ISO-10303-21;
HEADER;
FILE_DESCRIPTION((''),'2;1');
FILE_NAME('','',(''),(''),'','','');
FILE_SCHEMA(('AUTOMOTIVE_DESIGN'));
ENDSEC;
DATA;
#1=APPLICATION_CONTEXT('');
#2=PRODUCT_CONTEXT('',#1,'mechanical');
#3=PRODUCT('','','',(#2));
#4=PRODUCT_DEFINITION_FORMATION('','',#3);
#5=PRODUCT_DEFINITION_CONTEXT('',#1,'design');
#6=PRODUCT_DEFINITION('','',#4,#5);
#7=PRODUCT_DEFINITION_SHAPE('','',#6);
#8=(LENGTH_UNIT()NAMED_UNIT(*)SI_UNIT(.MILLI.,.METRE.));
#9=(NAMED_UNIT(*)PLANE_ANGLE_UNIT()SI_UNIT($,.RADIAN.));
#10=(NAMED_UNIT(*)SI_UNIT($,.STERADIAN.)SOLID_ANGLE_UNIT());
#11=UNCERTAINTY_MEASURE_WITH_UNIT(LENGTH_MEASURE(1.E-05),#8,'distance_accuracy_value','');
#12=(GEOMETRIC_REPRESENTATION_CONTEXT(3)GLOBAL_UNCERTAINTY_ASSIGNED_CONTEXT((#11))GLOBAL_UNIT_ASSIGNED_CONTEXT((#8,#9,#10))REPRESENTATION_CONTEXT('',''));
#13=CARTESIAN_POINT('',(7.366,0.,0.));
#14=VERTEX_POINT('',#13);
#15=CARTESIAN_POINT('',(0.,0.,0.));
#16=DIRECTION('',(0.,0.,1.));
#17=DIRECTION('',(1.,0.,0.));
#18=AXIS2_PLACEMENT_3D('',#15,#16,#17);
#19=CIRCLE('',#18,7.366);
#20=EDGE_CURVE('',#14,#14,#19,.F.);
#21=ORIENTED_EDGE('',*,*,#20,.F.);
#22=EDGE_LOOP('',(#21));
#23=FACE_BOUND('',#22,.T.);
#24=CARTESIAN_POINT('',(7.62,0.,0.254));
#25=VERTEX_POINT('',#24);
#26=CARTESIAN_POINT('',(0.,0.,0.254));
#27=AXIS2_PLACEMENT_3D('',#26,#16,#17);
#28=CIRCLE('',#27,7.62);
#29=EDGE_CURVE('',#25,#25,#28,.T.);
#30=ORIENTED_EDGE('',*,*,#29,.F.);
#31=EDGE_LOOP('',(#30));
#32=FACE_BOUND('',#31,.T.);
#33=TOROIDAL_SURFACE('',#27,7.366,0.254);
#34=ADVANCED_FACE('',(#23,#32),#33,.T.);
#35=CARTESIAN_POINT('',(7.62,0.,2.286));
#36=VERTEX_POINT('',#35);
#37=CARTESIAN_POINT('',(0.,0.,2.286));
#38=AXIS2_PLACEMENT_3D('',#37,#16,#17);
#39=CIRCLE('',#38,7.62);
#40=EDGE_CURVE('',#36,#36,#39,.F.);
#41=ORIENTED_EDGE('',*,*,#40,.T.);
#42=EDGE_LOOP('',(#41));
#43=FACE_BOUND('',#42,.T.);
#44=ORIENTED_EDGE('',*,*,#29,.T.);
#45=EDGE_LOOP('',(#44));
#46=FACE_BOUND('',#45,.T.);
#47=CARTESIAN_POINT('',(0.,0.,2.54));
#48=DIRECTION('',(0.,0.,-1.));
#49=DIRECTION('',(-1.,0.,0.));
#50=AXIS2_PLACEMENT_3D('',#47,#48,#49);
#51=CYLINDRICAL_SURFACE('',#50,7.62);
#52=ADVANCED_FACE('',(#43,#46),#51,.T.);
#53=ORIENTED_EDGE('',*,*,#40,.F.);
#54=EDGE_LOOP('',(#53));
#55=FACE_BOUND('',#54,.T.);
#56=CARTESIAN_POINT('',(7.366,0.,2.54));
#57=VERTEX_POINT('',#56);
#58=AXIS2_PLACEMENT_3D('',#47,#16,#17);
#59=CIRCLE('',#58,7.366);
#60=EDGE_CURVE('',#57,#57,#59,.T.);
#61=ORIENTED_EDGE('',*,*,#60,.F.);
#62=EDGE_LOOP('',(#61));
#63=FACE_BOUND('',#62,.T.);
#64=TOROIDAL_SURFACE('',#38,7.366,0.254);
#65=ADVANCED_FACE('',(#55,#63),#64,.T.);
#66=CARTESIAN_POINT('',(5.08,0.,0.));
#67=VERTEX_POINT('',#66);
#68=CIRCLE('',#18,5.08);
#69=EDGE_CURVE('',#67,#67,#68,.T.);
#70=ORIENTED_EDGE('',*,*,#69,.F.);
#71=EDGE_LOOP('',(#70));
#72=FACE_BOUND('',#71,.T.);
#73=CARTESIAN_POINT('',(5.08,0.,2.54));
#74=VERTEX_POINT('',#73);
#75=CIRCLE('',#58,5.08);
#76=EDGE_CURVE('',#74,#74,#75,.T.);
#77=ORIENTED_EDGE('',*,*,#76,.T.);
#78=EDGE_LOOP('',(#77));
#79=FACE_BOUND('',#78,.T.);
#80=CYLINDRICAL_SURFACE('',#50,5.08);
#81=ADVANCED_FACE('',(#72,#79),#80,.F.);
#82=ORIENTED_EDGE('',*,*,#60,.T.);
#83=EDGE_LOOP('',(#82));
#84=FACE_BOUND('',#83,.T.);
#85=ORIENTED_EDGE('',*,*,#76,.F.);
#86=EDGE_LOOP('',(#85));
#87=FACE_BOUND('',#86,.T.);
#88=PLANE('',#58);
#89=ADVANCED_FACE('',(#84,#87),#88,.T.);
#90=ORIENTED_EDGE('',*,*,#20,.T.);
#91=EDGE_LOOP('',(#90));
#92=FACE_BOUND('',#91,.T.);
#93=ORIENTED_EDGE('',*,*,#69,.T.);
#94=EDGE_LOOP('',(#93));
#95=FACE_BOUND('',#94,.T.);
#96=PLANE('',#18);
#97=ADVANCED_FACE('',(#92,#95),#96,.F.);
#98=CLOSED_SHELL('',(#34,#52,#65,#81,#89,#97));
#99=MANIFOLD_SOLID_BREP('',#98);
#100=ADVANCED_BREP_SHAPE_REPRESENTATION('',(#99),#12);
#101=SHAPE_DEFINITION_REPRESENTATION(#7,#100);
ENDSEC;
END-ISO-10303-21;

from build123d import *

# Parameters (mm, degrees)
SKETCH1_R           = 7.62
SKETCH1_R_2         = 5.08
BOSS_EXTRUDE1_DEPTH = 2.54
FILLET1_R           = 0.254


with BuildPart() as part:
    # Sketch1 → Boss-Extrude1 (new body)
    with BuildSketch(Plane.XY):
        Circle(SKETCH1_R)
        Circle(SKETCH1_R_2, mode=Mode.SUBTRACT)
    extrude(amount=BOSS_EXTRUDE1_DEPTH)

    # Fillet1
    fillet1_edges = [part.edges().sort_by_distance(p)[0] for p in [
        (-7.62, 0, 0),
        (-7.62, 0, 2.54),
    ]]
    fillet(fillet1_edges, radius=FILLET1_R)


solid = part.part
